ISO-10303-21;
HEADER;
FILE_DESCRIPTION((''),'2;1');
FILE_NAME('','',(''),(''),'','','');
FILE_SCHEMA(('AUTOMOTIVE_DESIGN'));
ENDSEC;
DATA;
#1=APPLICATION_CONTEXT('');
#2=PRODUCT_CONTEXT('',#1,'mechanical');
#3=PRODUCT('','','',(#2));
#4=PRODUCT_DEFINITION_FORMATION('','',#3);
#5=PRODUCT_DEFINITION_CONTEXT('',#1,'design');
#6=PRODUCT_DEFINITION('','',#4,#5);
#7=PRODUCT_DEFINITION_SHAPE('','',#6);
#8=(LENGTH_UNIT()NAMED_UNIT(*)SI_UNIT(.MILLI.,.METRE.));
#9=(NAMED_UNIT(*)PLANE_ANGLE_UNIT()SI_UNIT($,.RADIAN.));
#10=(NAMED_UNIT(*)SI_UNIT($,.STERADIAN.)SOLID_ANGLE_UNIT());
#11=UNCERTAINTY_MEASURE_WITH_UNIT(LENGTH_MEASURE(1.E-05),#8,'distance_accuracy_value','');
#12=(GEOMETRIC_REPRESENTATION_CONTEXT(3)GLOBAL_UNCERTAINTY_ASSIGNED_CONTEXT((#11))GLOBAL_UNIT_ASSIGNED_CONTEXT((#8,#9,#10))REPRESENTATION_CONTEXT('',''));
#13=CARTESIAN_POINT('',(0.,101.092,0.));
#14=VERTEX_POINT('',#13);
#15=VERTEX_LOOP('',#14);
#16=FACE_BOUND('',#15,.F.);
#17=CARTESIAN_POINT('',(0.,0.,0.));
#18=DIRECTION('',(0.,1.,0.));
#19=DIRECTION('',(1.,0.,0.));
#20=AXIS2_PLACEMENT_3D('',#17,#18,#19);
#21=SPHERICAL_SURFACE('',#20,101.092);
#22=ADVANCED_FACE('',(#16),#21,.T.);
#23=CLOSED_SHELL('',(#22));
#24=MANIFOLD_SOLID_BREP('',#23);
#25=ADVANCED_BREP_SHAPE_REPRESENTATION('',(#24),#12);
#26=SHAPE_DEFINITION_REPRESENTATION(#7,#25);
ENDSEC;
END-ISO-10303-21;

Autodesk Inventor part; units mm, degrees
ref_plane "YZ Plane" through (0, 0, 0) normal (1, 0, 0) x (0, 1, 0)
ref_plane "XZ Plane" through (0, 0, 0) normal (0, 1, 0) x (-1, 0, 0)
ref_plane "XY Plane" through (0, 0, 0) normal (0, 0, 1) x (1, 0, 0)
sketch "Sketch1" plane through (0, 0, 0) normal (0, 0, 1) x (1, 0, 0)
  arc A0 (0, -101.092) -> (0, 101.092) centre (0, 0) ccw
  line L0 (0, 101.092) -> (0, -101.092)
  dimension "d1" = 90
  dimension "d2" = 202.184
revolve "Revolution1" add sketch "Sketch1" angle 360 about axis through (0, 101.092, 0) along (0, -1, 0)
properties part number "game ball"
